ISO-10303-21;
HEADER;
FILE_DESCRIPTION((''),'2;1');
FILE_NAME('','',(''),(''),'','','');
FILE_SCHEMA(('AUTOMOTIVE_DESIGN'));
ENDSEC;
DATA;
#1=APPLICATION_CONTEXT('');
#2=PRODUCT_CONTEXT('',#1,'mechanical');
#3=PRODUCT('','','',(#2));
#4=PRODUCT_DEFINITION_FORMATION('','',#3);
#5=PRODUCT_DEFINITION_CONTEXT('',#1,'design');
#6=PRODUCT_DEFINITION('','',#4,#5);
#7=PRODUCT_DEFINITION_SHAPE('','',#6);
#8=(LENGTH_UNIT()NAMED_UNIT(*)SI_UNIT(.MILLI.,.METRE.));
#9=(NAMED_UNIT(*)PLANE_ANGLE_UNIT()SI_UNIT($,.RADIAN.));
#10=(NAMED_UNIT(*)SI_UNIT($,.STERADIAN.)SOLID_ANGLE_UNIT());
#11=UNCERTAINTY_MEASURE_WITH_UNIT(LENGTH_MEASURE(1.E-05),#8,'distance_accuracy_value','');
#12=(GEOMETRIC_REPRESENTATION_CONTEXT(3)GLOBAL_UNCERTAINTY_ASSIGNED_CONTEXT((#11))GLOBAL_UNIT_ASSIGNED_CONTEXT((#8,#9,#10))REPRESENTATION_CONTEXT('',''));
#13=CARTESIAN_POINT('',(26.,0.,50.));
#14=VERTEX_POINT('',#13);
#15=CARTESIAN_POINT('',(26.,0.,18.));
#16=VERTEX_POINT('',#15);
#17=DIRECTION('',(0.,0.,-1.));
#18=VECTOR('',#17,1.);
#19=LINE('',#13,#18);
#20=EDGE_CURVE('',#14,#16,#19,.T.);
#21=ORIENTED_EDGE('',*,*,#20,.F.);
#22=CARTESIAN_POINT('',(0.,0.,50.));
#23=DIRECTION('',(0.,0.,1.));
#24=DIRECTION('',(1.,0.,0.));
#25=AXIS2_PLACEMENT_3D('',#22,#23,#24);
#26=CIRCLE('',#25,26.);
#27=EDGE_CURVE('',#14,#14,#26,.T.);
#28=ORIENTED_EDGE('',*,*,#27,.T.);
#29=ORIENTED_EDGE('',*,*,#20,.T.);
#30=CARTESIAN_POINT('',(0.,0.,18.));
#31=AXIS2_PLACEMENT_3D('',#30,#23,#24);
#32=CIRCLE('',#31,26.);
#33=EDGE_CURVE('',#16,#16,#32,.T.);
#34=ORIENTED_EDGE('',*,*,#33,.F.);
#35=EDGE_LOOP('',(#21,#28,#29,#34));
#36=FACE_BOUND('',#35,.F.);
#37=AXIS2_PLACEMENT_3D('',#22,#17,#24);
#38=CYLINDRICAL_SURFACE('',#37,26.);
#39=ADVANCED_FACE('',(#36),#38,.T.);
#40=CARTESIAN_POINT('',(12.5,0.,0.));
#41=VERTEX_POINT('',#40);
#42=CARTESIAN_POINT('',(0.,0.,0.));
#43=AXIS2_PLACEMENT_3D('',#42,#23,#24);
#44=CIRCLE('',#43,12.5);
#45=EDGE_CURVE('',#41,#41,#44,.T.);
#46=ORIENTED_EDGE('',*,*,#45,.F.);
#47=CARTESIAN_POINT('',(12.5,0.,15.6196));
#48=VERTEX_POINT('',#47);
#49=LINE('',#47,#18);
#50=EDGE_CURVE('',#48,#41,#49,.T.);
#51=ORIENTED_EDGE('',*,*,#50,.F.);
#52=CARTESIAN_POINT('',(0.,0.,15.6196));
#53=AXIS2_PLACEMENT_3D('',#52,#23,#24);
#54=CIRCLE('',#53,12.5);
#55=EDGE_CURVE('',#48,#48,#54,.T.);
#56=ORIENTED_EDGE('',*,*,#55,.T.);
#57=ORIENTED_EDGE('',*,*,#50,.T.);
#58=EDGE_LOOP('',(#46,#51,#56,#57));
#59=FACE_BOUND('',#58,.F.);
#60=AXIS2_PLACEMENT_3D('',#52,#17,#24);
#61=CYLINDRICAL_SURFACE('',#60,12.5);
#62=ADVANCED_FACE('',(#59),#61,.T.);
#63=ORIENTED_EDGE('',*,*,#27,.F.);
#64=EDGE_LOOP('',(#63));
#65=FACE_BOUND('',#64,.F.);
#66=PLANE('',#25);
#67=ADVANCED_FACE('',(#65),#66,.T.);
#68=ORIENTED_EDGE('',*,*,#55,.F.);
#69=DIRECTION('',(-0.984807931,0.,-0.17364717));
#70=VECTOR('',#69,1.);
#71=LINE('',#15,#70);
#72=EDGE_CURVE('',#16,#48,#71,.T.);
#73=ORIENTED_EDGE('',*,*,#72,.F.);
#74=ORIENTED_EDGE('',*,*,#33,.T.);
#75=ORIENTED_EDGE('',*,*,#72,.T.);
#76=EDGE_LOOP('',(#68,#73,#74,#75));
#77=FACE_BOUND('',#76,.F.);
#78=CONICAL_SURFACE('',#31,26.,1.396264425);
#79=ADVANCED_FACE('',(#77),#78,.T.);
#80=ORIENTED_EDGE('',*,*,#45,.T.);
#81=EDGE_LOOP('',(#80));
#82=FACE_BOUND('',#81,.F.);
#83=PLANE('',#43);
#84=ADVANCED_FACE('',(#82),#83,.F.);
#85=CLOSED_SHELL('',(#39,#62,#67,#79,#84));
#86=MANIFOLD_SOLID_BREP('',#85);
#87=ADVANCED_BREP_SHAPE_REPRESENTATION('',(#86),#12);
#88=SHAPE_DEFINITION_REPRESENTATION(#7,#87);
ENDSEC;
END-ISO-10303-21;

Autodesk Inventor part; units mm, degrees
ref_plane "YZ Plane" through (0, 0, 0) normal (1, 0, 0) x (0, 1, 0)
ref_plane "XZ Plane" through (0, 0, 0) normal (0, 1, 0) x (-1, 0, 0)
ref_plane "XY Plane" through (0, 0, 0) normal (0, 0, 1) x (1, 0, 0)
sketch "Sketch1" plane through (0, 0, 0) normal (0, 1, 0) x (-1, 0, 0)
  line L0 (0, 0) -> (0, 50)
  line L1 (0, 50) -> (-26, 50)
  line L2 (-26, 50) -> (-26, 18)
  line L3 (-26, 18) -> (-12.5, 15.6196)
  line L4 (-12.5, 15.6196) -> (-12.5, 0)
  line L5 (-12.5, 0) -> (0, 0)
  dimension "d0" = 50
  dimension "d1" = 52
  dimension "d2" = 25
  dimension "d3" = 32
  dimension "d4" = 100
revolve "Revolution1" add sketch "Sketch1" angle 360 about axis through (0, 0, 0) along (0, 0, 1)
properties part number "SLM dummy filter element_1600"
